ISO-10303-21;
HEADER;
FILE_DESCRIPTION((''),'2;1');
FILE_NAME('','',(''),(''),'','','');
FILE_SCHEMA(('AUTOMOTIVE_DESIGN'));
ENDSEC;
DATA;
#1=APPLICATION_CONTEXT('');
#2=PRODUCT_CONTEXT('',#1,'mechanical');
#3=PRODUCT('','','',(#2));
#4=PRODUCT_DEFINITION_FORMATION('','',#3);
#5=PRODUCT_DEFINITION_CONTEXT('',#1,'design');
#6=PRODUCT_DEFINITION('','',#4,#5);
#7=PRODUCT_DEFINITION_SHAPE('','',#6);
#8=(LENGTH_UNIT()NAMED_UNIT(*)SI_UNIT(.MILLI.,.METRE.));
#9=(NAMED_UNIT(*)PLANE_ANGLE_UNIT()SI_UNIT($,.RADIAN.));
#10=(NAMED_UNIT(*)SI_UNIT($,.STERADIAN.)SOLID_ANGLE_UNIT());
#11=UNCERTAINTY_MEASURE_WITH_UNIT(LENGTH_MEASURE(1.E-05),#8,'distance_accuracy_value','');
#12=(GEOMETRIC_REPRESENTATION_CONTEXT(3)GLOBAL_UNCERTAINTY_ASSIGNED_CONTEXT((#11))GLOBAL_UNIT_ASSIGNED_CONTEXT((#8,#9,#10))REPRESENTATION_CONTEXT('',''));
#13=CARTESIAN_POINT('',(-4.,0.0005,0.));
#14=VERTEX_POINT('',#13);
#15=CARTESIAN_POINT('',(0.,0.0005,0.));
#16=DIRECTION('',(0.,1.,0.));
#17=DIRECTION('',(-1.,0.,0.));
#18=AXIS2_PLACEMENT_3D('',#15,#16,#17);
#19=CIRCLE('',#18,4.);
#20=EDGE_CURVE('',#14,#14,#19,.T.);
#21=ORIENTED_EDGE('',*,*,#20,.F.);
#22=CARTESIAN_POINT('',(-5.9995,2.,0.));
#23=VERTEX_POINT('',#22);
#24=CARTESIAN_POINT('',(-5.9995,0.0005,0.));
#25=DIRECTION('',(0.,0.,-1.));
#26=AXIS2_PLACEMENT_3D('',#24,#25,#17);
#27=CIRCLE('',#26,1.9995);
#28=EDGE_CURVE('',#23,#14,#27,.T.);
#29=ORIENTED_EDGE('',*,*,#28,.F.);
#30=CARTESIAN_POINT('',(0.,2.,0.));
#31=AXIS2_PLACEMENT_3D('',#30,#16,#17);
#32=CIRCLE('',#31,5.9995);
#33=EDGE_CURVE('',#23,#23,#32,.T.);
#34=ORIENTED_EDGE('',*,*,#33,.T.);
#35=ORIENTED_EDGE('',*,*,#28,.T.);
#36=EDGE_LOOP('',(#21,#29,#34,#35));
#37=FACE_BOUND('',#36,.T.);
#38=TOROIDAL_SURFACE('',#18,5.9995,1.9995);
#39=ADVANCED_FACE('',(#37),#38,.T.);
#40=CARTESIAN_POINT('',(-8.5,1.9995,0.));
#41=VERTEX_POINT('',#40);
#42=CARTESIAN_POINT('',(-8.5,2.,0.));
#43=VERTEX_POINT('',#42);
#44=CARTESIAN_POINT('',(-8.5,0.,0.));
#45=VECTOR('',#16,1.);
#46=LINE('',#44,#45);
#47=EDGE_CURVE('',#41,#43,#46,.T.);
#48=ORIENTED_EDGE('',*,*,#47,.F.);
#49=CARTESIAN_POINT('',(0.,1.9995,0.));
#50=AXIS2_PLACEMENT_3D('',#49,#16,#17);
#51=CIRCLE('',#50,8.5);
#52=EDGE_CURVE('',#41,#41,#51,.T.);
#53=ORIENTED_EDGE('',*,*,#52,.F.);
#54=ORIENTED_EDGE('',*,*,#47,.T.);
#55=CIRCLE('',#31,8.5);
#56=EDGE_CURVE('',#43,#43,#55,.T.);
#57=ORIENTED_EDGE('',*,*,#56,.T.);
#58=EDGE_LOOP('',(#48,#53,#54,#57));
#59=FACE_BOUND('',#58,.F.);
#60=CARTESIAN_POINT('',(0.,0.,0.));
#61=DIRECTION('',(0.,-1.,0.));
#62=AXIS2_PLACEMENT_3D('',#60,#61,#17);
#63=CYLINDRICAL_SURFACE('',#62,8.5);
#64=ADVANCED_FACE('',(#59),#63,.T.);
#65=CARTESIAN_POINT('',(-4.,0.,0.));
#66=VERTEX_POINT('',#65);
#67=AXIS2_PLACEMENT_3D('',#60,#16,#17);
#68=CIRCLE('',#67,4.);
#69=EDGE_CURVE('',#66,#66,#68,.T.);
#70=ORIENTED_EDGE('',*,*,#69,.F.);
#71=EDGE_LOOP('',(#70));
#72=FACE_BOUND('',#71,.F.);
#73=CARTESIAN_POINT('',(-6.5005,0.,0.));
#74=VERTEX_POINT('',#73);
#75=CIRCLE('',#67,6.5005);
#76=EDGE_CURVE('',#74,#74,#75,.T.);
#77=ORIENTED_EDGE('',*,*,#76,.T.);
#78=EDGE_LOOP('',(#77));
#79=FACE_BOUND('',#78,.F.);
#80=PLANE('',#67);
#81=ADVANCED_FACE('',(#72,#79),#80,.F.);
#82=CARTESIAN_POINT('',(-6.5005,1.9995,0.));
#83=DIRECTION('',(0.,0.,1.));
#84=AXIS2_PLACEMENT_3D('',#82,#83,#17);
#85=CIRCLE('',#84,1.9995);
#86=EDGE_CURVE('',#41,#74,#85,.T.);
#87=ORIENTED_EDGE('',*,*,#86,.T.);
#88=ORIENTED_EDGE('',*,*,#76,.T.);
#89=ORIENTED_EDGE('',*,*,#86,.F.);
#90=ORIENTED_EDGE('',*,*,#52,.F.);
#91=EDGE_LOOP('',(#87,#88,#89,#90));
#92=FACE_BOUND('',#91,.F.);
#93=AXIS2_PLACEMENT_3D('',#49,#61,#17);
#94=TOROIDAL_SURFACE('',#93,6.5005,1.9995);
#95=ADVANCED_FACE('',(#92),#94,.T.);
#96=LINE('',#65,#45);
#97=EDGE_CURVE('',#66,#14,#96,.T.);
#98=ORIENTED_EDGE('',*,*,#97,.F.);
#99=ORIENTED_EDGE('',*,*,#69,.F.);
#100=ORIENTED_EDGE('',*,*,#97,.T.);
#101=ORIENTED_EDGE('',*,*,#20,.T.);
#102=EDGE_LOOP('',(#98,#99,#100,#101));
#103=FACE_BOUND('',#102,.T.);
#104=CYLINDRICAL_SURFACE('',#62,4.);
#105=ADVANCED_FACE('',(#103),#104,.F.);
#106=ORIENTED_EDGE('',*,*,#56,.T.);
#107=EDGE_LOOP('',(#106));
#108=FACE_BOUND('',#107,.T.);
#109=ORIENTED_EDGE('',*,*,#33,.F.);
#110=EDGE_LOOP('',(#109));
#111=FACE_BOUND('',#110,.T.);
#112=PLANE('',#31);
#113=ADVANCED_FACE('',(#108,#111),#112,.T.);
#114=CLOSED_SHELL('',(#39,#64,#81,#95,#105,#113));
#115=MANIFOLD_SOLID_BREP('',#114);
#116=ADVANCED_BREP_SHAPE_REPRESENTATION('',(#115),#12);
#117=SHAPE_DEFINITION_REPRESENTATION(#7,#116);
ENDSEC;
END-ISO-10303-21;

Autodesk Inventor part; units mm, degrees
ref_plane "YZ Plane" through (0, 0, 0) normal (1, 0, 0) x (0, 1, 0)
ref_plane "XZ Plane" through (0, 0, 0) normal (0, 1, 0) x (-1, 0, 0)
ref_plane "XY Plane" through (0, 0, 0) normal (0, 0, 1) x (1, 0, 0)
sketch "Boceto1" plane through (0, 0, 0) normal (0, 1, 0) x (-1, 0, 0)
  circle A0 centre (0, 0) radius 4
  circle A1 centre (0, 0) radius 8.5
  dimension "d0" = 8
  dimension "d1" = 17
extrude "Extrusión1" add sketch "Boceto1" along normal blind 2
fillet "Empalme1" radius 2 1 edges at (8.5, 0, 0)
fillet "Empalme2" radius 2 1 edges at (4, 2, 0)
properties part number "BASE_ARANDELA"
